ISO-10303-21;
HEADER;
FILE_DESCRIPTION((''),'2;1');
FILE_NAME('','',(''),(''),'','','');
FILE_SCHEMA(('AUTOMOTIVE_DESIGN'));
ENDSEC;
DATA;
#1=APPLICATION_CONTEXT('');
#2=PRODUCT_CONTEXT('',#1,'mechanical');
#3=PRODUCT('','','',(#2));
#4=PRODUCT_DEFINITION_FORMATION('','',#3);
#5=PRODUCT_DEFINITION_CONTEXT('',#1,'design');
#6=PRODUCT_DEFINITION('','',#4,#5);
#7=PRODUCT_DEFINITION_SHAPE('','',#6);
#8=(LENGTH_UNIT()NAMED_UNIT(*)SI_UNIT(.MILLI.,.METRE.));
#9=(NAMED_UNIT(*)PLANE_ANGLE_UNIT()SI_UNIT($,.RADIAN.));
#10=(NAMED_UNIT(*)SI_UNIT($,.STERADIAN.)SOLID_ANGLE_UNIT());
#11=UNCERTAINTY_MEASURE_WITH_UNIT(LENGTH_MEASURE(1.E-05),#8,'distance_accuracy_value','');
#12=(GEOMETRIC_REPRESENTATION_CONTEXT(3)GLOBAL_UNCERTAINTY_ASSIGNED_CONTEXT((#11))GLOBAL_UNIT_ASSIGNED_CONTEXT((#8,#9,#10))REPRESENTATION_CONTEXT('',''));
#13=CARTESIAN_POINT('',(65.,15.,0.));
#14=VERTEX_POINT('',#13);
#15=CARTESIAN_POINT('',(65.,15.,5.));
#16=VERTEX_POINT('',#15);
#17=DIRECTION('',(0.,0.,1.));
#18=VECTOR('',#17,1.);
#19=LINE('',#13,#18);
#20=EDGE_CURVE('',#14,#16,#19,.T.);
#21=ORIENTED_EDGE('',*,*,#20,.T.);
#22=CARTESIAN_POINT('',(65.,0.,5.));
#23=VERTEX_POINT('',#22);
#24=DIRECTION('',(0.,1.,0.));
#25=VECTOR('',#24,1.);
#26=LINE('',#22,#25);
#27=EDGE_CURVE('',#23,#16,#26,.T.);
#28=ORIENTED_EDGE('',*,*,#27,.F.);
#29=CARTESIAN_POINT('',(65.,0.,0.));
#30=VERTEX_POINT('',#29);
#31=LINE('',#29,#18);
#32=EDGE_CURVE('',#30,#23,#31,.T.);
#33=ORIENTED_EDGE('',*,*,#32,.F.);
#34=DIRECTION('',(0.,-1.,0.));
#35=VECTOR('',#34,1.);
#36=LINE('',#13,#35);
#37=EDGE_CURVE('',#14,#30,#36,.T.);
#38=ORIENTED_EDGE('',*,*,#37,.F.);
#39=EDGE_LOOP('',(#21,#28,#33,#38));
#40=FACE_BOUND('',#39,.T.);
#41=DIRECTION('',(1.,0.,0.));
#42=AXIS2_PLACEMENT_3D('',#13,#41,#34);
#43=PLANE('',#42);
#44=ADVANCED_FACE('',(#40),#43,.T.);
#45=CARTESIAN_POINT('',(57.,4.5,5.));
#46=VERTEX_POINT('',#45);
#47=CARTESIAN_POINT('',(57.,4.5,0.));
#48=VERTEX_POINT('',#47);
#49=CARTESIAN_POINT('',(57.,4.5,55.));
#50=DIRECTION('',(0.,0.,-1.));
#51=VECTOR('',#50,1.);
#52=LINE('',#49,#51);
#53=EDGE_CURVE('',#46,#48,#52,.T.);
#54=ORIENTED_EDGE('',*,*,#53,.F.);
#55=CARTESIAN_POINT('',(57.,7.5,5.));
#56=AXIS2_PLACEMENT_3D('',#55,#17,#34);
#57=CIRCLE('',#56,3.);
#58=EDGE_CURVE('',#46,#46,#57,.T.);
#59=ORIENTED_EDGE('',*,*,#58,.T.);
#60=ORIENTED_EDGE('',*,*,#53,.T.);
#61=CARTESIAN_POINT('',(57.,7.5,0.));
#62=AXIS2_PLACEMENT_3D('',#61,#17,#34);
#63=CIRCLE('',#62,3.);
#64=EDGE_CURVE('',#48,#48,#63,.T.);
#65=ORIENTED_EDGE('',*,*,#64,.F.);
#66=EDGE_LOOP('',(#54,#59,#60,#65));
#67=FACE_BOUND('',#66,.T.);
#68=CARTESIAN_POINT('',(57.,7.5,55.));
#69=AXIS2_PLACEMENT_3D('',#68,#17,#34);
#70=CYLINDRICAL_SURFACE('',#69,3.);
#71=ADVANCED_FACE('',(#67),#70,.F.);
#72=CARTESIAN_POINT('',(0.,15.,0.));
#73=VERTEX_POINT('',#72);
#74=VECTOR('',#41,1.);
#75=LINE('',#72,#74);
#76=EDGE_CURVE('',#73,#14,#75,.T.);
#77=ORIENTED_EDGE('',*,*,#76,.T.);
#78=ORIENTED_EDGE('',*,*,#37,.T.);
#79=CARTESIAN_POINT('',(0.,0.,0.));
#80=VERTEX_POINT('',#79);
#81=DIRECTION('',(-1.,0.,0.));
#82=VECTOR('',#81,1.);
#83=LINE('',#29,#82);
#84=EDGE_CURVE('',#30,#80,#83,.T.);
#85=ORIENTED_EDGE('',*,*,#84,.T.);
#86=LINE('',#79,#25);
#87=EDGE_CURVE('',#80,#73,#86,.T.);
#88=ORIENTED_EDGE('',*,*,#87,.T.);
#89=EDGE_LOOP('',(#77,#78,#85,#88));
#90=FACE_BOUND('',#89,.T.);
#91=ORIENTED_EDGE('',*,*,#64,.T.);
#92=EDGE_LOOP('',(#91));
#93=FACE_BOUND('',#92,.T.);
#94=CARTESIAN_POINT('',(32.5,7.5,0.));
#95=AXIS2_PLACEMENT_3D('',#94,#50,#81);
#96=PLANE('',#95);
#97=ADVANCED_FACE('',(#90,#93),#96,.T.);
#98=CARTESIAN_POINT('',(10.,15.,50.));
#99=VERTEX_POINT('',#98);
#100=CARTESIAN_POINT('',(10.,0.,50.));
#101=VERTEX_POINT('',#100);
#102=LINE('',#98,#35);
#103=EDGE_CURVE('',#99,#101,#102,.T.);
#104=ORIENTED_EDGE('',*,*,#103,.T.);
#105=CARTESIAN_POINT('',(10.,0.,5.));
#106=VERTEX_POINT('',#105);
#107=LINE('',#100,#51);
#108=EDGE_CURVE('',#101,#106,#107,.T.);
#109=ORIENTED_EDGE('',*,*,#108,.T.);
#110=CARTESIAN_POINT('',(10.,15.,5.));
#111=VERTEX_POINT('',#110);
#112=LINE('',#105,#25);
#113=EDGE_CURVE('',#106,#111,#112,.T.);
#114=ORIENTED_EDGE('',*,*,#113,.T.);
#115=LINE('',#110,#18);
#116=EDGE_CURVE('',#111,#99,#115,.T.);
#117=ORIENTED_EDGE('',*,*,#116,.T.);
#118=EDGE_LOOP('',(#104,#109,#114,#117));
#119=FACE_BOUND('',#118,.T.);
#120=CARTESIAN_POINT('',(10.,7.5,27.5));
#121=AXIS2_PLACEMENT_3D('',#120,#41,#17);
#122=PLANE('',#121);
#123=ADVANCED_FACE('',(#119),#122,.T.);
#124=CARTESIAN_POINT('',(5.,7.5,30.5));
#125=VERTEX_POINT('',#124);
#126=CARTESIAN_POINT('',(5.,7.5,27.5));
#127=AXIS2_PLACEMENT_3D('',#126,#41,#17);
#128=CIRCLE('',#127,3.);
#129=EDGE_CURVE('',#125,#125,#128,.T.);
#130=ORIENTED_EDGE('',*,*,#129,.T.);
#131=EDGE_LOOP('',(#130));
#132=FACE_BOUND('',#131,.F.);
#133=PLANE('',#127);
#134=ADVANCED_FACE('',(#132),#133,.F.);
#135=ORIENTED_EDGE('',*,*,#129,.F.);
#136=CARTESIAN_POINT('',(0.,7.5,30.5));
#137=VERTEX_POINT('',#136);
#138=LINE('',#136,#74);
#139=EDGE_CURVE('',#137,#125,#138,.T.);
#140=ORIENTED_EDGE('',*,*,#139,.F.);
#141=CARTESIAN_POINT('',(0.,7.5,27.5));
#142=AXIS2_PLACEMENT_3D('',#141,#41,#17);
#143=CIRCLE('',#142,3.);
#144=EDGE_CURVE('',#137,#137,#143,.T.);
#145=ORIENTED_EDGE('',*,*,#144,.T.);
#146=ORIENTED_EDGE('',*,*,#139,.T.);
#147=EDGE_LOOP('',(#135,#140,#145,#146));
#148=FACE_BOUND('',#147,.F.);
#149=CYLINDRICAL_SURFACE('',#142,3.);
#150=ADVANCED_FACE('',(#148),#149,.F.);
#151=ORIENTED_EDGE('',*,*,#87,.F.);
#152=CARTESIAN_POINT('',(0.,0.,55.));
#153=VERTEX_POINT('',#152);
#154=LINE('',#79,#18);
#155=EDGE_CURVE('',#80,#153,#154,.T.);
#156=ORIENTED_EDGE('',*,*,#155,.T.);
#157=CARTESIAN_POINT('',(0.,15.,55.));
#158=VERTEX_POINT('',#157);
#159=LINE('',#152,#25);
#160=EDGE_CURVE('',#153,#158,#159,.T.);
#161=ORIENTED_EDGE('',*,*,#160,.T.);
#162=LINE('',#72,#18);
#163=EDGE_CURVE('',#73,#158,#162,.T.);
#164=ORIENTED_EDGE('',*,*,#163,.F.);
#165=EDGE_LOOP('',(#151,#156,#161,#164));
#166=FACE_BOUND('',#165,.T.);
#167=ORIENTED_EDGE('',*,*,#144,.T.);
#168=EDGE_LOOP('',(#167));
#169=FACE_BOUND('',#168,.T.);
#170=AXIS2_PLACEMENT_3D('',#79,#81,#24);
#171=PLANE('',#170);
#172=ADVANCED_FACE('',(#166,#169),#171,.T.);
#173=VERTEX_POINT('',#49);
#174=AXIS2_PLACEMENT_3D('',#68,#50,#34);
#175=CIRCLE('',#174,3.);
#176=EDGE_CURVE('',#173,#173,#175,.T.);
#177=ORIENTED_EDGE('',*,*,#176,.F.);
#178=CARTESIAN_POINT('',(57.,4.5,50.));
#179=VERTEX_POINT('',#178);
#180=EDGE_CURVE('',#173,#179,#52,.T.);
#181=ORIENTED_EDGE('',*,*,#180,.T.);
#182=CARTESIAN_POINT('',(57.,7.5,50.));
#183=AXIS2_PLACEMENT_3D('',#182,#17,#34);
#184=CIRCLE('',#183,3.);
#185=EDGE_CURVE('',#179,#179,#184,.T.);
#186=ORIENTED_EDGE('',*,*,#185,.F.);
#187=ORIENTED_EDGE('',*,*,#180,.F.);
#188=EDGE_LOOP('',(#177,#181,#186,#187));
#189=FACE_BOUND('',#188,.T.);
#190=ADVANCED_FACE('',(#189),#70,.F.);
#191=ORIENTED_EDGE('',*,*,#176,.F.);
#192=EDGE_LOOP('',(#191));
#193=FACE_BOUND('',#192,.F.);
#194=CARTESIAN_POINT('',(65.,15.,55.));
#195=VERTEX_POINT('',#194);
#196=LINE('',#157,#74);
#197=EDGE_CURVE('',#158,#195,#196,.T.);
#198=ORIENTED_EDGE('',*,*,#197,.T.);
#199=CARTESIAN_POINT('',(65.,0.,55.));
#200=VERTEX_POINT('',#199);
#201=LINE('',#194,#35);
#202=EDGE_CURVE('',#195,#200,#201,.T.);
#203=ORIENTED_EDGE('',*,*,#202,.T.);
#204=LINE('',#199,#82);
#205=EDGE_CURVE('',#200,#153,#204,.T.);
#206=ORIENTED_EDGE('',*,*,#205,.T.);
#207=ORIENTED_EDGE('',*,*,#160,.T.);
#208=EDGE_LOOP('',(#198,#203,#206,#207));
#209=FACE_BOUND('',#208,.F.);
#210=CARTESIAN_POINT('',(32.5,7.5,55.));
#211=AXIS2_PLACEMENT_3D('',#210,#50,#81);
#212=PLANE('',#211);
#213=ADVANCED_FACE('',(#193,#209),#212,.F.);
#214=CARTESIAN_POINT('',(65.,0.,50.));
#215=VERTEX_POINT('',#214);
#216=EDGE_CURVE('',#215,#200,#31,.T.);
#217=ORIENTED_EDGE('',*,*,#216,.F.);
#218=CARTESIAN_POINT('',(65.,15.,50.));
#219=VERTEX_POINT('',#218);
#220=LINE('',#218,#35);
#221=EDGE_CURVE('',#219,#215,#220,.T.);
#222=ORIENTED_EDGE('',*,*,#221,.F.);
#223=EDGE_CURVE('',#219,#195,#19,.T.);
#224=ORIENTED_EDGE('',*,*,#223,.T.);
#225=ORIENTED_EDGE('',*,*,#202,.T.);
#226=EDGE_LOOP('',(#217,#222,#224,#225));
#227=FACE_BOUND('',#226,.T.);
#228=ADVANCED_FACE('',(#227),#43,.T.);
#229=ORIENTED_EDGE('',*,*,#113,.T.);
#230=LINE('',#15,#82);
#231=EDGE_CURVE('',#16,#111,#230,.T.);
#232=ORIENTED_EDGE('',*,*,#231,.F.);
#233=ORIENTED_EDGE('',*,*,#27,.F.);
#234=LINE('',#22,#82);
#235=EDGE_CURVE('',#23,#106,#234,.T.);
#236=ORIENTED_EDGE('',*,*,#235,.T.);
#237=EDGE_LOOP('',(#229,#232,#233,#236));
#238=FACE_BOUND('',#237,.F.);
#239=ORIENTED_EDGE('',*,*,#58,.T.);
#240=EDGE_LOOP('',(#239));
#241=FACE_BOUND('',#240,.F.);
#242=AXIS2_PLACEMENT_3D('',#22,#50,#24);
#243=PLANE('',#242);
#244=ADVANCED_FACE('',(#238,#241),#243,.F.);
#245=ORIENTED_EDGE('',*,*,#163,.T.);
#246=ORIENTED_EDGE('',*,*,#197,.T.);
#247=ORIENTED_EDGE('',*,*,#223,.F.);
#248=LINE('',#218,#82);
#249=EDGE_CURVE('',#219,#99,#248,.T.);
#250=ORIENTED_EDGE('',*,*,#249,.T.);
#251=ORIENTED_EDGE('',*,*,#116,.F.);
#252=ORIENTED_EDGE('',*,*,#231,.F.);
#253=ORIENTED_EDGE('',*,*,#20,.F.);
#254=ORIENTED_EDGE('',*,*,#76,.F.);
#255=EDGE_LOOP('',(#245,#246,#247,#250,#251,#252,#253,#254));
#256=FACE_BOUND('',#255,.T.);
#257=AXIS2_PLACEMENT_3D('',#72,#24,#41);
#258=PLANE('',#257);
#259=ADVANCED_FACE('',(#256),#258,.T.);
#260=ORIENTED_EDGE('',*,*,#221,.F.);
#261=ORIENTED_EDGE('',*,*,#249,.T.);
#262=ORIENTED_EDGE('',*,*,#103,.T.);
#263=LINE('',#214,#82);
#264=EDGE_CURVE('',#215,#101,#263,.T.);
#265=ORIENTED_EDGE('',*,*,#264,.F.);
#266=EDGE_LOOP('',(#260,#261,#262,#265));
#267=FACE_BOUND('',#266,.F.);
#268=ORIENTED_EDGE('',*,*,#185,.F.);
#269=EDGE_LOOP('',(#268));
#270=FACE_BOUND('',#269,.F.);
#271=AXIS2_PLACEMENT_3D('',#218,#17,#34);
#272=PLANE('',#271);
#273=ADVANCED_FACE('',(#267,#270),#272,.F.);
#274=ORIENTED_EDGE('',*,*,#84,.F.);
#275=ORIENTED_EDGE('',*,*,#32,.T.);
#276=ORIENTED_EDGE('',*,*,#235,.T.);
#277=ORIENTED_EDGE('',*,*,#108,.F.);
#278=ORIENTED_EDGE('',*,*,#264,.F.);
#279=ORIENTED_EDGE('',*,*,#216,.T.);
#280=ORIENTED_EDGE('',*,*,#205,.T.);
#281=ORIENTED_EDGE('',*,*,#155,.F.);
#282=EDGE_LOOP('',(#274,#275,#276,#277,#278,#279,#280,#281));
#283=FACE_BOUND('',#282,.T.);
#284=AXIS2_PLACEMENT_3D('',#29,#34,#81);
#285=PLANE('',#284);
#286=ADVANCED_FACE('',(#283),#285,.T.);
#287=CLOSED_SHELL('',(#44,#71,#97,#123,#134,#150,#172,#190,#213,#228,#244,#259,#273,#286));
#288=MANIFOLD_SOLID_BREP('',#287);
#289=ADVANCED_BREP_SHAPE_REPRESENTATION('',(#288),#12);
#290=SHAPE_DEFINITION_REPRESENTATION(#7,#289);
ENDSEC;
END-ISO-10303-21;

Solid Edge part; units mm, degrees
sketch "Sketch1" plane through (0, 0, 0) normal (0, 0, 1) x (1, 0, 0)
  line L0 (0, 0) -> (0, 15)
  line L1 (0, 15) -> (65, 15)
  line L2 (65, 15) -> (65, 0)
  line L3 (65, 0) -> (0, 0)
  dimension "D1" = 65
  dimension "D2" = 15
extrude "Protrusion1" add sketch "Sketch1" along normal blind 55
sketch "Sketch2" plane through (65, 7.5, 27.5) normal (1, 0, 0) x (0, 0, -1)
  line L0 (-22.5, 7.5) -> (-22.5, -7.5)
  line L1 (-22.5, -7.5) -> (22.5, -7.5)
  line L2 (22.5, -7.5) -> (22.5, 7.5)
  line L3 (22.5, 7.5) -> (-22.5, 7.5)
  dimension "D1" = 45
  dimension "D2" = 5
extrude "ExtrudedCutout_1" cut sketch "Sketch2" against normal blind 55
hole "Hål_till_pedal" at (57, 7.5, 55) direction (0, 0, -1) diameter 6 end through all
hole "Hål_till_kolvstång" at (0, 7.5, 27.5) direction (1, 0, 0) diameter 6 depth 5
properties material "Aluminum, 1060"
